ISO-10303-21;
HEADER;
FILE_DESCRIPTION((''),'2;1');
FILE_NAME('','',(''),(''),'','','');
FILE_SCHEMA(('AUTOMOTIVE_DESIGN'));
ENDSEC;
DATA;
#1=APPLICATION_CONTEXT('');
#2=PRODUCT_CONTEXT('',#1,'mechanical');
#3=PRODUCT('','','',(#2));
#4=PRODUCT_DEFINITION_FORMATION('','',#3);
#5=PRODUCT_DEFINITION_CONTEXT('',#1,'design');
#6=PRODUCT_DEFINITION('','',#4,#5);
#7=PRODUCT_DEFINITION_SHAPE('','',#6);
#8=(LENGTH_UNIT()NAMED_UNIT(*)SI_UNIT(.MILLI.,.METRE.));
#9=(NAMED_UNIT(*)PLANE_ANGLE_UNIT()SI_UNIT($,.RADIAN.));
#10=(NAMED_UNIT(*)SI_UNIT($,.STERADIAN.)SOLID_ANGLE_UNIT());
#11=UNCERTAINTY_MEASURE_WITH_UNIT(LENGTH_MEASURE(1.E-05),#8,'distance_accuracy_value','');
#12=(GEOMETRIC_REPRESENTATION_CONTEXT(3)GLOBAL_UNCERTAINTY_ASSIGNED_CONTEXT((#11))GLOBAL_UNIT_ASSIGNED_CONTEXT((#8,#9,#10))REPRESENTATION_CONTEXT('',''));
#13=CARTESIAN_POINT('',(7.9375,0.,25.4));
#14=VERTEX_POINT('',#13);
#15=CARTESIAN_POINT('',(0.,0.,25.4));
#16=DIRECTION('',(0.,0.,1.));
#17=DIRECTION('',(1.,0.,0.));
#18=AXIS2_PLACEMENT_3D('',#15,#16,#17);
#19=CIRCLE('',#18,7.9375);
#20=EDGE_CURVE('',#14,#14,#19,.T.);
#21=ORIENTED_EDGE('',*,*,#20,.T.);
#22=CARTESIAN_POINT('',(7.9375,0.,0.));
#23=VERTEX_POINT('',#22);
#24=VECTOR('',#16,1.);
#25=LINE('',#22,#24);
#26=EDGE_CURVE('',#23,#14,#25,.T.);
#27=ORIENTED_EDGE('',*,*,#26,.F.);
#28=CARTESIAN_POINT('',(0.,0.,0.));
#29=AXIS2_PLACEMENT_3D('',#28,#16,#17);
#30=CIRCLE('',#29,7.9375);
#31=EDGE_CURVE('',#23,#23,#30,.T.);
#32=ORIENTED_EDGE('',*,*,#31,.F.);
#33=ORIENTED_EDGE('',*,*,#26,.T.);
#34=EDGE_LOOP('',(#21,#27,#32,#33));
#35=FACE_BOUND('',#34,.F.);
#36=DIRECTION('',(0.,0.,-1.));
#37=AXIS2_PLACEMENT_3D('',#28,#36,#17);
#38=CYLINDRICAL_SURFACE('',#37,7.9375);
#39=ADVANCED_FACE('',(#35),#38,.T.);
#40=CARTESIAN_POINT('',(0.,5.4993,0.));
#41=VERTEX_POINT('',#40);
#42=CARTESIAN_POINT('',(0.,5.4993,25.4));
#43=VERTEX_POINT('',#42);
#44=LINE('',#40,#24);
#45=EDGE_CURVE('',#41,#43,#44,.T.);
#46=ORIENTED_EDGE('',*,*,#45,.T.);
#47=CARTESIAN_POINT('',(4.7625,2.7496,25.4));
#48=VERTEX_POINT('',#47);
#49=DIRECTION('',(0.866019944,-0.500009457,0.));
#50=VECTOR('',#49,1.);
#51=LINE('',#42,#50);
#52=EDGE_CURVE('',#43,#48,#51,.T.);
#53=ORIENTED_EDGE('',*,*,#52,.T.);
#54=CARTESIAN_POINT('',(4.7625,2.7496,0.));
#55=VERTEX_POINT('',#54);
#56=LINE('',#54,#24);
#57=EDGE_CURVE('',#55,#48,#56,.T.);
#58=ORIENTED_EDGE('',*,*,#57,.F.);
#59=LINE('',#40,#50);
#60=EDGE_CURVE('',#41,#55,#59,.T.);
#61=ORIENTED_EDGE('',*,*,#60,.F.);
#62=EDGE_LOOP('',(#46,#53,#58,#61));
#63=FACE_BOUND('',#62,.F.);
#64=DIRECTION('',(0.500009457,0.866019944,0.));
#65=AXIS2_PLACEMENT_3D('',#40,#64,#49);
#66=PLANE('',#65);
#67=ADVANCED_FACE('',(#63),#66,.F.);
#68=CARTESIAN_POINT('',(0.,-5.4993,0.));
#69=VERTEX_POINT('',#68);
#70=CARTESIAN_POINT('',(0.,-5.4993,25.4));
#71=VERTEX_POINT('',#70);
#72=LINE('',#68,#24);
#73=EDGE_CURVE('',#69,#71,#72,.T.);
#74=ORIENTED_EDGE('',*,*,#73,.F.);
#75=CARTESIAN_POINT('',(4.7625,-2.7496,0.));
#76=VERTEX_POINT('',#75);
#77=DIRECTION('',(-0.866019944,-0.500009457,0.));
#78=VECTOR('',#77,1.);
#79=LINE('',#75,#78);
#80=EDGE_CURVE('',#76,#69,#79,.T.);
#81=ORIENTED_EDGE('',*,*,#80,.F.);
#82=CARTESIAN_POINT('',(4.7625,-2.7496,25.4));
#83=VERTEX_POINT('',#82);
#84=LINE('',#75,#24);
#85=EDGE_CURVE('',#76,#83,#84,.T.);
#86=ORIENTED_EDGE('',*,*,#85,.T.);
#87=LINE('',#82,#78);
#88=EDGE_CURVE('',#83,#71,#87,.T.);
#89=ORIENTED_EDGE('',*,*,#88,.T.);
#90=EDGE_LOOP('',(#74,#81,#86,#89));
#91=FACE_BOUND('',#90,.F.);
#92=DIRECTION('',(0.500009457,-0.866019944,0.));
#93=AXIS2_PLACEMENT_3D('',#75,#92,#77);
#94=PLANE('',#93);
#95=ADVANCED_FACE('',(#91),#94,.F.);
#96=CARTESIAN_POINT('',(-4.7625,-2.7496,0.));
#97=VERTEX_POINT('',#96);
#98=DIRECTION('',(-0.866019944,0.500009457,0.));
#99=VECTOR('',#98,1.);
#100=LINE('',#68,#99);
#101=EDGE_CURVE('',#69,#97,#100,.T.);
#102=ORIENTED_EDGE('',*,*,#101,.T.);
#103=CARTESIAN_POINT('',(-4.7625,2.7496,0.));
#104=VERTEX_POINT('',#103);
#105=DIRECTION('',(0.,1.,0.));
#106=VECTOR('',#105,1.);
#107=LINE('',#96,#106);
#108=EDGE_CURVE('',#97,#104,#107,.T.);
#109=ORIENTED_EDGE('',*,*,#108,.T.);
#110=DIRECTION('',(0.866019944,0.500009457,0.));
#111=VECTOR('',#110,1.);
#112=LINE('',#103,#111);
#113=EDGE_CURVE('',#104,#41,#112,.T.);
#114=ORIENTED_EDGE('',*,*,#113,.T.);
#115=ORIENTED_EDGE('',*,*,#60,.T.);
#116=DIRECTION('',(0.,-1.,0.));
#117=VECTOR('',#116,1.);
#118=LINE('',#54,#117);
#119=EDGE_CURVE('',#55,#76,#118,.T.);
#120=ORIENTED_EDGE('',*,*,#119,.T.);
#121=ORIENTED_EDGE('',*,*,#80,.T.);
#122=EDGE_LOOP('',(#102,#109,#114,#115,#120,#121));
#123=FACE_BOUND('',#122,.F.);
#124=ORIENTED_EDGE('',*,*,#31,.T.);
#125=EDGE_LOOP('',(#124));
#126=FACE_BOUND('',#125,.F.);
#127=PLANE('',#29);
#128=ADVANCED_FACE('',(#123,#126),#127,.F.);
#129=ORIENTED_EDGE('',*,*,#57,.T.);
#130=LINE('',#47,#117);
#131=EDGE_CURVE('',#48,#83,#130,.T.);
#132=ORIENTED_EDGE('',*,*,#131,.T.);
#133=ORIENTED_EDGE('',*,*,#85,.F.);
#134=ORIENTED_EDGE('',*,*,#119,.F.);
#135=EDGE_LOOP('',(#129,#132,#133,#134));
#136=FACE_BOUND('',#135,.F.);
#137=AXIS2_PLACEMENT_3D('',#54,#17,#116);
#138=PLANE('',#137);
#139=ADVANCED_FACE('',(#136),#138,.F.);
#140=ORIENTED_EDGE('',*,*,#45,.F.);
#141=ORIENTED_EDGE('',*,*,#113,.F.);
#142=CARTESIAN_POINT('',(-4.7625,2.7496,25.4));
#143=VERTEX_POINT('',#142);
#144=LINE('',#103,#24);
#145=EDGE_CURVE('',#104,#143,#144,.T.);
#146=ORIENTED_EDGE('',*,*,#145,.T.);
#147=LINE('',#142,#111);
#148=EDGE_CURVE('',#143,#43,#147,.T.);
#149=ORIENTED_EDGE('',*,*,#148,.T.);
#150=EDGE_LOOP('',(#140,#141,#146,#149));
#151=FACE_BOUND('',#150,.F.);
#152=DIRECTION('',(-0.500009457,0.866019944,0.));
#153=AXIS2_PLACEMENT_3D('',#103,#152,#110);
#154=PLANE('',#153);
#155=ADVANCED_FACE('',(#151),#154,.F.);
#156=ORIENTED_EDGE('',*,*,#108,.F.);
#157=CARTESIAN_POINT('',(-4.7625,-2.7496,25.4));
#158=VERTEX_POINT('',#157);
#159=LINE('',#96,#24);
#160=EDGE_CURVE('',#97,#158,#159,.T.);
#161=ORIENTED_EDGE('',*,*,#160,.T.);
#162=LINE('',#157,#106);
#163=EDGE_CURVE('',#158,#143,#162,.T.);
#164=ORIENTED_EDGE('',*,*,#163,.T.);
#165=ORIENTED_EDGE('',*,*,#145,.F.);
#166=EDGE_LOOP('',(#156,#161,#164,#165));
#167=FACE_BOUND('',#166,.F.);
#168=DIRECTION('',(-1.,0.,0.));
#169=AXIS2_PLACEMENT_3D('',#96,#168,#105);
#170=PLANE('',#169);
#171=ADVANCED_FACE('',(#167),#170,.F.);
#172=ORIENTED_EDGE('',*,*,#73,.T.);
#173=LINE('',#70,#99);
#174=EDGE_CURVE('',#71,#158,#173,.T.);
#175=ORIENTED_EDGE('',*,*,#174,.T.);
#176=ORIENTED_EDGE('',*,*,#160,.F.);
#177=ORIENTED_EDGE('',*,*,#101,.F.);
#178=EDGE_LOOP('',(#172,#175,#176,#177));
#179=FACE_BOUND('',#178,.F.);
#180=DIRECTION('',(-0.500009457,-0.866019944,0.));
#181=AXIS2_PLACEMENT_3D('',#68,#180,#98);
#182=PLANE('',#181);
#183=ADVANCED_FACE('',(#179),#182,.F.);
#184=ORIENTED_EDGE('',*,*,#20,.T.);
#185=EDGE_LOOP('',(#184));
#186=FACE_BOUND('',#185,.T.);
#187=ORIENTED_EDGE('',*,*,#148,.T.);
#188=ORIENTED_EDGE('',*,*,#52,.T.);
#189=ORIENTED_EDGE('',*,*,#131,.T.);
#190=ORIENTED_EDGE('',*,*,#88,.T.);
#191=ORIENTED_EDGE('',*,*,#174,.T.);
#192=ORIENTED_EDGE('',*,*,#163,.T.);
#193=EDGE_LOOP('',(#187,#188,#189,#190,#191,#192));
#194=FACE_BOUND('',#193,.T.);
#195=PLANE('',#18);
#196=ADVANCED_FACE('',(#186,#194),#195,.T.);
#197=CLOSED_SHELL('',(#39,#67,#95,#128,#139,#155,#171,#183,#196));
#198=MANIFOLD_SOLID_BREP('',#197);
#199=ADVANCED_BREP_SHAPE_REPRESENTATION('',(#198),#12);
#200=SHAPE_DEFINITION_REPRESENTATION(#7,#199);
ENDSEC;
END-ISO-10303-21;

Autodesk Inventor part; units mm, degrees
ref_plane "YZ Plane" through (0, 0, 0) normal (1, 0, 0) x (0, 1, 0)
ref_plane "XZ Plane" through (0, 0, 0) normal (0, 1, 0) x (-1, 0, 0)
ref_plane "XY Plane" through (0, 0, 0) normal (0, 0, 1) x (1, 0, 0)
sketch "Sketch1" plane through (0, 0, 0) normal (0, 0, 1) x (1, 0, 0)
  circle A0 centre (0, 0) radius 7.9375
  line L0 (0, 5.4993) -> (4.7625, 2.7496)
  line L1 (4.7625, 2.7496) -> (4.7625, -2.7496)
  line L2 (4.7625, -2.7496) -> (0, -5.4993)
  line L3 (0, -5.4993) -> (-4.7625, -2.7496)
  line L4 (-4.7625, -2.7496) -> (-4.7625, 2.7496)
  line L5 (-4.7625, 2.7496) -> (0, 5.4993)
  dimension "d0" = 9.525
  dimension "d1" = 15.875
extrude "Extrusion1" add sketch "Sketch1" along normal blind 25.4
properties part number "Spacer_0.375hex_1" material "Acetal Resin, Black"
